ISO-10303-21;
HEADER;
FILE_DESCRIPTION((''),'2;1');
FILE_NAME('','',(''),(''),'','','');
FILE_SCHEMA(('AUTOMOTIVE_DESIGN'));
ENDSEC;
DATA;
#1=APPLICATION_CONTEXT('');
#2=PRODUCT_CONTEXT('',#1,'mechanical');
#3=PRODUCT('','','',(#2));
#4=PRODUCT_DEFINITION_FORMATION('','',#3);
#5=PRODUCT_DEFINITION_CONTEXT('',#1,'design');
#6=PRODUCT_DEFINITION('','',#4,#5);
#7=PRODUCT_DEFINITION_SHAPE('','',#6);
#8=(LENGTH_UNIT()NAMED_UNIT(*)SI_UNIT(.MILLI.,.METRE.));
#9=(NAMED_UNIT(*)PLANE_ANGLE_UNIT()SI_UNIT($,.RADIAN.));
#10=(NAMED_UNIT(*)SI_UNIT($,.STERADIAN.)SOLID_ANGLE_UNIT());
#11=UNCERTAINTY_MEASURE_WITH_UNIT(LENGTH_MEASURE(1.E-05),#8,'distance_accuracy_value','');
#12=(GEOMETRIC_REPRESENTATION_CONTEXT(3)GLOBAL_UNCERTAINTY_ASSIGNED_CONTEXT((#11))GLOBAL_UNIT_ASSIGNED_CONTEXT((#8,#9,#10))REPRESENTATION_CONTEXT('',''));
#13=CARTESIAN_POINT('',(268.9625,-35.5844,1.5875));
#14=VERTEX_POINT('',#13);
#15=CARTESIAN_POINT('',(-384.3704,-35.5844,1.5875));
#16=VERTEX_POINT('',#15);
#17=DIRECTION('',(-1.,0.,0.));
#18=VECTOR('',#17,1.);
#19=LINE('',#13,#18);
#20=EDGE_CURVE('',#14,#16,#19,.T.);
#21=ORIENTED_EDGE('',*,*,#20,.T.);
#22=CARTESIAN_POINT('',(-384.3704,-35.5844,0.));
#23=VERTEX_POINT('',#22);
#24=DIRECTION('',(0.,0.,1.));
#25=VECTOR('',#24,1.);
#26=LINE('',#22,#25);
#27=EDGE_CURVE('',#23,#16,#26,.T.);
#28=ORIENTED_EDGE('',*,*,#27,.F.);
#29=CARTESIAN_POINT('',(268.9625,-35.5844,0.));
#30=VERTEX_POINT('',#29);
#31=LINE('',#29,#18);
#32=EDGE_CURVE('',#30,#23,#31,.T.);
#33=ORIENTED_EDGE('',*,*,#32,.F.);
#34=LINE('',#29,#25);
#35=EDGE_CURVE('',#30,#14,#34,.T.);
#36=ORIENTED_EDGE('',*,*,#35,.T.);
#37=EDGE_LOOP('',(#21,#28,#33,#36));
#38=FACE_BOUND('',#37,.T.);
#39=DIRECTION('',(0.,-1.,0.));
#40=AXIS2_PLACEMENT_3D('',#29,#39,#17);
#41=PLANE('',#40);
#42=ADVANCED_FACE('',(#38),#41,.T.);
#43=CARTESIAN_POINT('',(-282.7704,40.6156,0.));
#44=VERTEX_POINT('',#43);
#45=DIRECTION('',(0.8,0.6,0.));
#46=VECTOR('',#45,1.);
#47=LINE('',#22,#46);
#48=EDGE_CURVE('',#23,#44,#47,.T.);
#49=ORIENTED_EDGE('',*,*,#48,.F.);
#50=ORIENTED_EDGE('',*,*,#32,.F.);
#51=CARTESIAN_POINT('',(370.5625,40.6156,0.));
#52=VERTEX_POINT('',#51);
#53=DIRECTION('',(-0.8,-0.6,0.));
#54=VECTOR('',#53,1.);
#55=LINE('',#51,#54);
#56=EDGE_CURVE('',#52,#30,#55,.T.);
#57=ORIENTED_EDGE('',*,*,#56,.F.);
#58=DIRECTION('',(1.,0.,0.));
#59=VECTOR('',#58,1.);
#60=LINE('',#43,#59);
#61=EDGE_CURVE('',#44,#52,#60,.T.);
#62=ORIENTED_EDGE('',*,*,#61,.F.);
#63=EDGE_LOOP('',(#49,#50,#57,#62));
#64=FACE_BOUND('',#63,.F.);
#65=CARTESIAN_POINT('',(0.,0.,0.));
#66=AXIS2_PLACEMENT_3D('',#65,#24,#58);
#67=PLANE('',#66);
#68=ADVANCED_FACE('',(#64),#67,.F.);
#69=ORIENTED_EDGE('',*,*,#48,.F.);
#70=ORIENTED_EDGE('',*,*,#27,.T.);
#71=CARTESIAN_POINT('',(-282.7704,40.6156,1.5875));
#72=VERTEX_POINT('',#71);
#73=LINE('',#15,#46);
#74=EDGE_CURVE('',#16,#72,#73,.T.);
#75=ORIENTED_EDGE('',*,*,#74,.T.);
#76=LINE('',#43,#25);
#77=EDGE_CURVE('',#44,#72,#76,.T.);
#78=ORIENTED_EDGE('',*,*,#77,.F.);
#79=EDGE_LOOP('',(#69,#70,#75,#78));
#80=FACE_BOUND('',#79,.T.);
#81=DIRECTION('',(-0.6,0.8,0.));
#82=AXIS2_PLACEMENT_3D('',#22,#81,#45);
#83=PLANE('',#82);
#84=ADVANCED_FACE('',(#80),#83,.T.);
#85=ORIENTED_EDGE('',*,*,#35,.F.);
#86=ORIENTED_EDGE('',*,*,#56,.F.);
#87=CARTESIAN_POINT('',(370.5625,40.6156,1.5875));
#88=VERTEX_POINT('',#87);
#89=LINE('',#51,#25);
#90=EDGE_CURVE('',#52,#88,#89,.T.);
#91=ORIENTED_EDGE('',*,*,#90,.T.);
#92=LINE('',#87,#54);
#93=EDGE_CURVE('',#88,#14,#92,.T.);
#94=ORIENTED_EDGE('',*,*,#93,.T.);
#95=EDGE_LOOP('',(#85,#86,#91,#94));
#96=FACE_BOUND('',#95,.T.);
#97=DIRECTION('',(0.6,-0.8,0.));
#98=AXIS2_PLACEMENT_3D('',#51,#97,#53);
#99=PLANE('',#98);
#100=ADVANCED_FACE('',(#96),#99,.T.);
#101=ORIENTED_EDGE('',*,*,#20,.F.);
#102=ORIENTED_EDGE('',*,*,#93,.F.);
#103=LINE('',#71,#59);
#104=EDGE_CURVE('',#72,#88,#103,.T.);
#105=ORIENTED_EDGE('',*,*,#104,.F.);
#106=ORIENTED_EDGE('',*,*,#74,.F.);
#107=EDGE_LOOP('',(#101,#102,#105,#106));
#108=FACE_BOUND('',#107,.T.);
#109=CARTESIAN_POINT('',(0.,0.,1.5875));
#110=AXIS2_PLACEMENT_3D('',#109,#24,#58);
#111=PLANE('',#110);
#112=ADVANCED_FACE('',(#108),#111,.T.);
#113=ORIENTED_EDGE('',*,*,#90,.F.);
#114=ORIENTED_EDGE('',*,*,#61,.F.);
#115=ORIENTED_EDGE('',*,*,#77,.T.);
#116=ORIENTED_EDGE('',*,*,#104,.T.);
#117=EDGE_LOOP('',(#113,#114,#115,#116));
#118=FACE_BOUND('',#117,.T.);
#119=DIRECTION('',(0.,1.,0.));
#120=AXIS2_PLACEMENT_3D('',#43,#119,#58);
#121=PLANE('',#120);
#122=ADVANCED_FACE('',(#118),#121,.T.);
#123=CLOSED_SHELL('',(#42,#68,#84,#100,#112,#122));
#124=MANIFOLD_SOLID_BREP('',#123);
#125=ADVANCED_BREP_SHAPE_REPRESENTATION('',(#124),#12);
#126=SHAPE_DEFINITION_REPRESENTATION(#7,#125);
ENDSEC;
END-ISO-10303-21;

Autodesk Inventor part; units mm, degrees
ref_plane "YZ Plane" through (0, 0, 0) normal (1, 0, 0) x (0, 1, 0)
ref_plane "XZ Plane" through (0, 0, 0) normal (0, 1, 0) x (-1, 0, 0)
ref_plane "XY Plane" through (0, 0, 0) normal (0, 0, 1) x (1, 0, 0)
sketch "Sketch1" plane through (0, 0, 0) normal (0, 0, 1) x (1, 0, 0)
  line L0 (-384.3704, -35.5844) -> (-282.7704, 40.6156)
  line L1 (-282.7704, 40.6156) -> (370.5625, 40.6156)
  line L2 (370.5625, 40.6156) -> (268.9625, -35.5844)
  line L3 (268.9625, -35.5844) -> (-384.3704, -35.5844)
  point P0 (0, 0)
  dimension "d0" = 653.3329
  dimension "d1" = 76.2
  dimension "d2" = 101.6
extrude "Extrusion1" add sketch "Sketch1" along normal blind 1.5875
properties part number "Duct_Inner_Template"
